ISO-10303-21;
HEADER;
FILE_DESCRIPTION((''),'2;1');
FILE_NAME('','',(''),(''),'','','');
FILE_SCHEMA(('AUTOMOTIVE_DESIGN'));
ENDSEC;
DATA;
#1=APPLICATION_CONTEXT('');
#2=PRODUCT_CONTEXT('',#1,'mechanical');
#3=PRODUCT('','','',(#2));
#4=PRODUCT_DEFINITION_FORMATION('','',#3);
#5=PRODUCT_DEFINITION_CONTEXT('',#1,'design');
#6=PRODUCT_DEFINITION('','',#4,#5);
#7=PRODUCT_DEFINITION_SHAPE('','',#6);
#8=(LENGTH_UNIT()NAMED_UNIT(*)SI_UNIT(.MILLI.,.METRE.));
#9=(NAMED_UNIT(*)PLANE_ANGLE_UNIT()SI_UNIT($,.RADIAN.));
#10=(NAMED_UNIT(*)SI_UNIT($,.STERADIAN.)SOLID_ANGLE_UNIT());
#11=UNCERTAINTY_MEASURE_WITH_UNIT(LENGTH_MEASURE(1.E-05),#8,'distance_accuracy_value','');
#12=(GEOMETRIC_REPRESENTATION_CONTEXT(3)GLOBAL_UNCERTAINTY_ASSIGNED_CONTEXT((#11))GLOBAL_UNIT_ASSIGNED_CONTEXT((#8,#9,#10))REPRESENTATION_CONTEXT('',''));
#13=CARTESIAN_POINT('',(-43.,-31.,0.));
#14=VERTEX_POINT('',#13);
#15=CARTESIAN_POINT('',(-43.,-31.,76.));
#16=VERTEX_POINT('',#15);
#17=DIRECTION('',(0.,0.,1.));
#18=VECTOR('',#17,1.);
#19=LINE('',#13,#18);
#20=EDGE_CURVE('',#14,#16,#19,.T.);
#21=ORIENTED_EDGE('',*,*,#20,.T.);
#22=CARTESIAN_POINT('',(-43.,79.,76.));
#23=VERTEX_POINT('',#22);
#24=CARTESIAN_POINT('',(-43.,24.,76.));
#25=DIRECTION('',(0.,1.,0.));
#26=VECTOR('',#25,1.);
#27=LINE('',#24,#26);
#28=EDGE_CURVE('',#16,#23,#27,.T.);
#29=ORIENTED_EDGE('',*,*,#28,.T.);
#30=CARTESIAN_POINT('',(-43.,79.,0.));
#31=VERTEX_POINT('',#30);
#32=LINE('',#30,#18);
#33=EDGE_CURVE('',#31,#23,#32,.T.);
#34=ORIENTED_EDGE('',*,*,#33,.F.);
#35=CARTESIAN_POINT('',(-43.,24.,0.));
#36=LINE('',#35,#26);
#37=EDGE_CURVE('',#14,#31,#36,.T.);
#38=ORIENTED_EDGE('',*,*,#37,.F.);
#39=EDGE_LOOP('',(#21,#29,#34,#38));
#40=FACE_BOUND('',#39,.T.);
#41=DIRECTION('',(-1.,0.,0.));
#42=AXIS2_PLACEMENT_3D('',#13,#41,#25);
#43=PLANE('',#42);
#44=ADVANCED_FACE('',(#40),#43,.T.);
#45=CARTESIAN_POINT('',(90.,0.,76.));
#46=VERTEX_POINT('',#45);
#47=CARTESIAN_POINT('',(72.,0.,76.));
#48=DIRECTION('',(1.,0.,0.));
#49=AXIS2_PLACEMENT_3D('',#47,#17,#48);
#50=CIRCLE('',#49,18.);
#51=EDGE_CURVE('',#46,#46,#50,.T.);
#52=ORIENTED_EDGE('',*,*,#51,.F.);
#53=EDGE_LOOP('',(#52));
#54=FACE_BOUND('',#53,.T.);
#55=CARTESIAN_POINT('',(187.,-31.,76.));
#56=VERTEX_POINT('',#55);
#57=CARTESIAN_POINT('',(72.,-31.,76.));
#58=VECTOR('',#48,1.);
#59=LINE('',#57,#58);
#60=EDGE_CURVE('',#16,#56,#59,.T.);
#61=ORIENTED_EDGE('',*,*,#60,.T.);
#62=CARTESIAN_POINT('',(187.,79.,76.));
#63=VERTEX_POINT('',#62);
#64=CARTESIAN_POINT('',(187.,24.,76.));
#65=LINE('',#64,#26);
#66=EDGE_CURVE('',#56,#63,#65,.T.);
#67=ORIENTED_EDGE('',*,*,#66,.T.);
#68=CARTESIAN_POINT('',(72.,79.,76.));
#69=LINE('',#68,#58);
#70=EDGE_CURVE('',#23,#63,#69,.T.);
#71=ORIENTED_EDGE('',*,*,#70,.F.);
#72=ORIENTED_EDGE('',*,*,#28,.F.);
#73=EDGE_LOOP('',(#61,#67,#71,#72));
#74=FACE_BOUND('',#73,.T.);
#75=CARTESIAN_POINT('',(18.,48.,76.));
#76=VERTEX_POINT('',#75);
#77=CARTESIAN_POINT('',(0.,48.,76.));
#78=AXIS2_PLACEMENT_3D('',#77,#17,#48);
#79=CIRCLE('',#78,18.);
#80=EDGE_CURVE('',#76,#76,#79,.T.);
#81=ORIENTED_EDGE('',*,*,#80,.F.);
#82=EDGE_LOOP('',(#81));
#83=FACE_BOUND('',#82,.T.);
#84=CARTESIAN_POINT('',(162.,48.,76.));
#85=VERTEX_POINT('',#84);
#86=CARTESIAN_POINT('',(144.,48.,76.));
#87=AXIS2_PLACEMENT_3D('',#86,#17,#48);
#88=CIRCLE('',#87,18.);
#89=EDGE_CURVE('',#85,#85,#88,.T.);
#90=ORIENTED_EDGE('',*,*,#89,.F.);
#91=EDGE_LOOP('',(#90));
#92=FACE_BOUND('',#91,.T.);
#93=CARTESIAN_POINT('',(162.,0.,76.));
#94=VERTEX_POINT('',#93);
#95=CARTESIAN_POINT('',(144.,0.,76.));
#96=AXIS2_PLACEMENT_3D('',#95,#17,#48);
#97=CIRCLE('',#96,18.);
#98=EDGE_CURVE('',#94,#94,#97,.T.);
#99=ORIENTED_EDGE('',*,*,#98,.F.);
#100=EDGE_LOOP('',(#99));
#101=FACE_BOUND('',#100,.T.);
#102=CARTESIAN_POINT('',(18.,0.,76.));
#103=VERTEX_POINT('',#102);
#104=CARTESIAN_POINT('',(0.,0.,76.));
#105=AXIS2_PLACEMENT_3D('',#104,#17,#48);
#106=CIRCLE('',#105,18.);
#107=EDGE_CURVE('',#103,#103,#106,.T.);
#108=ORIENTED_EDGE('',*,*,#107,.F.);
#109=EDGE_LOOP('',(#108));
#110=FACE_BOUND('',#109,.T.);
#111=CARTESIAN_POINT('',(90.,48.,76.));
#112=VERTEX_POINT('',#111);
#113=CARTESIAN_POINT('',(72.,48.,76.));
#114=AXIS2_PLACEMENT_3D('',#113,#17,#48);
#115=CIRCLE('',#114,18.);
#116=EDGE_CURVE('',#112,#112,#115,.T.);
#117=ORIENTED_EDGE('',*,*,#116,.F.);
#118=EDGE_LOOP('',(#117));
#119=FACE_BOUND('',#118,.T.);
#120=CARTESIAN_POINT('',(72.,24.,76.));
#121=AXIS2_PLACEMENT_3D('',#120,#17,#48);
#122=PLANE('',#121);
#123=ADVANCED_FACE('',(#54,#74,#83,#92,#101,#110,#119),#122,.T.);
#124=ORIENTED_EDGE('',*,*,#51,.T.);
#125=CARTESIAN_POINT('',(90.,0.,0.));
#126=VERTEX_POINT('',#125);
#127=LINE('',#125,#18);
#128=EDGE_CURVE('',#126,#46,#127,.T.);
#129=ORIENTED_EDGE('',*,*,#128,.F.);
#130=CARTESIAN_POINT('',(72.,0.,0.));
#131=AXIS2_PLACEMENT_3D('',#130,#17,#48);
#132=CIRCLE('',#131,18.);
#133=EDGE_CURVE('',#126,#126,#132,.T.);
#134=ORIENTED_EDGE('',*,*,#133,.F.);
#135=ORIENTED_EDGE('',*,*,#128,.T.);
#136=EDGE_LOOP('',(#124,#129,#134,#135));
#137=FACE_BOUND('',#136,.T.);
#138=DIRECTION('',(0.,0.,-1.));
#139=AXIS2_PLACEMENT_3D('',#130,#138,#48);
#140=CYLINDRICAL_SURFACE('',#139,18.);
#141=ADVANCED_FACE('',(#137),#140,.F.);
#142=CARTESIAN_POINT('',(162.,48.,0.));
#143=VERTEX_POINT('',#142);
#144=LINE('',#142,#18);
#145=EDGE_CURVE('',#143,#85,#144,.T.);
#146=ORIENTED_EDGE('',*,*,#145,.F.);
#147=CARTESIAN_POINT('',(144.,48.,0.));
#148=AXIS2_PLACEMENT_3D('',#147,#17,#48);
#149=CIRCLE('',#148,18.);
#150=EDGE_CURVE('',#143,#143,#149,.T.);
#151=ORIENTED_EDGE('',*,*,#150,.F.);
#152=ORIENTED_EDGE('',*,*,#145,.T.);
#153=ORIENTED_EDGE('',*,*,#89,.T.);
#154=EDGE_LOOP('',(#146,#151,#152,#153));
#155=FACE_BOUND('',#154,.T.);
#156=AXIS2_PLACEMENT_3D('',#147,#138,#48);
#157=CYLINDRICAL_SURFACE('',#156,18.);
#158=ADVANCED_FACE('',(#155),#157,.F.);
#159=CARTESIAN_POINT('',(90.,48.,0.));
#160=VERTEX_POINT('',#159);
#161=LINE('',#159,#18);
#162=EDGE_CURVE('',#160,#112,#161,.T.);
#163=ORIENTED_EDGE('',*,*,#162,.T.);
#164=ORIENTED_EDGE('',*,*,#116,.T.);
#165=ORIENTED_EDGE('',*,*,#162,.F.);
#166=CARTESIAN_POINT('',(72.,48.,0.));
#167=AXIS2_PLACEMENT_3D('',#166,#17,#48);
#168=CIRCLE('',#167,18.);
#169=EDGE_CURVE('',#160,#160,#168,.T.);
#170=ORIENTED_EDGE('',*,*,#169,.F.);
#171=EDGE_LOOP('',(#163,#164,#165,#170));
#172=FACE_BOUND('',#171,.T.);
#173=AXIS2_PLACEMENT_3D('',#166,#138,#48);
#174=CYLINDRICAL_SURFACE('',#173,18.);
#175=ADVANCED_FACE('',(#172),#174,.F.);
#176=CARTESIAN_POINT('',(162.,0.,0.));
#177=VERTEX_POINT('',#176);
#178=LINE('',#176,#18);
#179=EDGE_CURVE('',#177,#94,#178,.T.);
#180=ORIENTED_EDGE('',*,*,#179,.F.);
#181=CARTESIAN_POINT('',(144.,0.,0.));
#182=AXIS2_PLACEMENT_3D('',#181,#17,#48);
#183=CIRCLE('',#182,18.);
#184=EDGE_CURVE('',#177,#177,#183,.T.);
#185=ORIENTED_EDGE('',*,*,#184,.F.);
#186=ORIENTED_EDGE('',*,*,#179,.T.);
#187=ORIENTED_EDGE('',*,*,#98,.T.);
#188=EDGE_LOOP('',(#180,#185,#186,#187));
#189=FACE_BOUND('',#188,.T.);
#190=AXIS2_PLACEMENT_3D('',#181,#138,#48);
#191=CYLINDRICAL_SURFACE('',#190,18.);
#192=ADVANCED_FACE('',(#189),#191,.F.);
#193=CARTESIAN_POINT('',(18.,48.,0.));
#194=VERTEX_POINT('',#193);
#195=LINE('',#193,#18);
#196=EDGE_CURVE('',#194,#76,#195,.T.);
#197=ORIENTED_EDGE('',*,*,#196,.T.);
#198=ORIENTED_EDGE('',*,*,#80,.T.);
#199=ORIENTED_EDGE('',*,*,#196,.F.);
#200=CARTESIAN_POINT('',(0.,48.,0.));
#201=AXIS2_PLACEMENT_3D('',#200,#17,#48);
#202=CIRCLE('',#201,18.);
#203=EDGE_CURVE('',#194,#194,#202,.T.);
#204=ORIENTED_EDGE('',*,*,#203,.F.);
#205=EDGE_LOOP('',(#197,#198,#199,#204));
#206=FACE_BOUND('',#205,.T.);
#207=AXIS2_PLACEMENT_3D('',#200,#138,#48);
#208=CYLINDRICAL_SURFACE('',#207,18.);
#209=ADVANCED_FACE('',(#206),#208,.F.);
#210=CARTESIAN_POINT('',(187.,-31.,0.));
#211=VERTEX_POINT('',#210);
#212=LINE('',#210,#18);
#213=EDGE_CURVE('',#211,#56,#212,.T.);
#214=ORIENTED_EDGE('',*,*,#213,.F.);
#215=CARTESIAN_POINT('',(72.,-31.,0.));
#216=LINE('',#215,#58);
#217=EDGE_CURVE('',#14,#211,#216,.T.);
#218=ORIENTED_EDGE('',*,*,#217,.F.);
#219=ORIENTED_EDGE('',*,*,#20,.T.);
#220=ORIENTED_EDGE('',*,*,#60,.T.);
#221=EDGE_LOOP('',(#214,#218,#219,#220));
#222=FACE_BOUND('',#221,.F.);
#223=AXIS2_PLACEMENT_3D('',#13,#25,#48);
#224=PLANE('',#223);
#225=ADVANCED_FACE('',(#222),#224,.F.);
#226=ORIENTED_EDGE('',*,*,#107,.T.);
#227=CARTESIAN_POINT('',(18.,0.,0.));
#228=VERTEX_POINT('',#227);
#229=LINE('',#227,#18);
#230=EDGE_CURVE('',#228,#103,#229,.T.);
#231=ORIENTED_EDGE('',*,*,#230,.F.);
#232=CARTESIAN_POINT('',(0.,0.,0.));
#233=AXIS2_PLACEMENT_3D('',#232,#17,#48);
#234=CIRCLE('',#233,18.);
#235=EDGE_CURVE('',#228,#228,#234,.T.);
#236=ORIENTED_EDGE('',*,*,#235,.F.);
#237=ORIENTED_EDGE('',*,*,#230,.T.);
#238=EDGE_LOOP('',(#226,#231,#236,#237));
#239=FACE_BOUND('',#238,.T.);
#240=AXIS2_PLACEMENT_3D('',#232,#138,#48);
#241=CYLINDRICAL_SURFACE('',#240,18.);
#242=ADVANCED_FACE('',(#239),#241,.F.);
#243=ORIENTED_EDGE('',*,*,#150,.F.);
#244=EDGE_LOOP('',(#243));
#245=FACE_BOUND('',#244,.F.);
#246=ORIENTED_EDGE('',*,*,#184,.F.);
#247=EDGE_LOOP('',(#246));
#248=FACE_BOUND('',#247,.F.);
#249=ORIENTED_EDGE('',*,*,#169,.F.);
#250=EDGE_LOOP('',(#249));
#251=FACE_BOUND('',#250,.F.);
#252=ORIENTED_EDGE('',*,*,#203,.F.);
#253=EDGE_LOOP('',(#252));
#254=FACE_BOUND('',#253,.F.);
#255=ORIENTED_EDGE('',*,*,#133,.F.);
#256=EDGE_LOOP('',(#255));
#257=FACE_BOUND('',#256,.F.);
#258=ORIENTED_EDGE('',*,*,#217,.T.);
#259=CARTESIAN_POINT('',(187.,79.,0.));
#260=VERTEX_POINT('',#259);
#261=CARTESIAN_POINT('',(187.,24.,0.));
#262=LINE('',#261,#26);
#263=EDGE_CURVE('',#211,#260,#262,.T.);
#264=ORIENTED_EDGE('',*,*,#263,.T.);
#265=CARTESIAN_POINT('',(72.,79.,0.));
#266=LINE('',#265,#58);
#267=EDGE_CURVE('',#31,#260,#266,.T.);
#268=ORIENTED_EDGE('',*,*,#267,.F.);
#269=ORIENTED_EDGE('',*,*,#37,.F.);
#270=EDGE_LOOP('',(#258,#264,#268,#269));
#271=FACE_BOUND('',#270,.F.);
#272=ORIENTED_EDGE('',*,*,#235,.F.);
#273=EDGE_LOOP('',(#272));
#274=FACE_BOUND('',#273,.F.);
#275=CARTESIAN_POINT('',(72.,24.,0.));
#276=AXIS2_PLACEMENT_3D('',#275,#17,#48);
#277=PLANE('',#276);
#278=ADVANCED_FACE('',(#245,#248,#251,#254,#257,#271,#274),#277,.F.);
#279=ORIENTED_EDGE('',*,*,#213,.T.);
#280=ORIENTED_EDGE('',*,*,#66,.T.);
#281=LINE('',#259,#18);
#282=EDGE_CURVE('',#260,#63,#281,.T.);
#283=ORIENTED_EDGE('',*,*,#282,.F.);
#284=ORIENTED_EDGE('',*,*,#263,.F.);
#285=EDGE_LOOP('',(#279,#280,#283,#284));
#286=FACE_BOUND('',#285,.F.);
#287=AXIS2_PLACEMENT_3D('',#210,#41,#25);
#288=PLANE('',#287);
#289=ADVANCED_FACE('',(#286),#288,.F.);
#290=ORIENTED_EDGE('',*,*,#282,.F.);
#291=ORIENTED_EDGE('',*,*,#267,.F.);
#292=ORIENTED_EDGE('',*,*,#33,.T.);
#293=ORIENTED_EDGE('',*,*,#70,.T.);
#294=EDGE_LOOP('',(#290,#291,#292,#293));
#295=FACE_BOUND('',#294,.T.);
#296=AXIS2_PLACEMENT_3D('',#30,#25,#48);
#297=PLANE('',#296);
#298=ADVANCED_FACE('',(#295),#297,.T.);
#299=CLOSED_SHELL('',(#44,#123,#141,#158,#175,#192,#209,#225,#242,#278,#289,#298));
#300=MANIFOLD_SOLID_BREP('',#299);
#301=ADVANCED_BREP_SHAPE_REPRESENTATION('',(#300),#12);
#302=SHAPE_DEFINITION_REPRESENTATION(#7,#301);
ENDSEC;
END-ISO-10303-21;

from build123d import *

# Parameters (mm, degrees)
CYLINDER001_R     = 18
CYLINDER001_DEPTH = 76
CYLINDER002_R     = 18
CYLINDER002_DEPTH = 76
CYLINDER003_R     = 18
CYLINDER003_DEPTH = 76
CYLINDER004_R     = 18
CYLINDER004_DEPTH = 76
CYLINDER005_R     = 18
CYLINDER005_DEPTH = 76
CYLINDER_R        = 18
CYLINDER_DEPTH    = 76
BOX_W             = 230
BOX_H             = 110
BOX_DEPTH         = 76


with BuildPart() as cilindre001:
    # Cylinder001 → Cylinder001 (new body)
    with BuildSketch(Plane(origin=(144, 0, 0), x_dir=(1, 0, 0), z_dir=(0, 0, 1))):
        Circle(CYLINDER001_R)
    extrude(amount=CYLINDER001_DEPTH)


with BuildPart() as cilindre002:
    # Cylinder002 → Cylinder002 (new body)
    with BuildSketch(Plane(origin=(0, 48, 0), x_dir=(1, 0, 0), z_dir=(0, 0, 1))):
        Circle(CYLINDER002_R)
    extrude(amount=CYLINDER002_DEPTH)


with BuildPart() as cilindre003:
    # Cylinder003 → Cylinder003 (new body)
    with BuildSketch(Plane(origin=(72, 48, 0), x_dir=(1, 0, 0), z_dir=(0, 0, 1))):
        Circle(CYLINDER003_R)
    extrude(amount=CYLINDER003_DEPTH)


with BuildPart() as cilindre004:
    # Cylinder004 → Cylinder004 (new body)
    with BuildSketch(Plane(origin=(144, 48, 0), x_dir=(1, 0, 0), z_dir=(0, 0, 1))):
        Circle(CYLINDER004_R)
    extrude(amount=CYLINDER004_DEPTH)


with BuildPart() as cilindre005:
    # Cylinder005 → Cylinder005 (new body)
    with BuildSketch(Plane.XY):
        Circle(CYLINDER005_R)
    extrude(amount=CYLINDER005_DEPTH)


with BuildPart() as cilindre:
    # Cylinder → Cylinder (new body)
    with BuildSketch(Plane(origin=(72, 0, 0), x_dir=(1, 0, 0), z_dir=(0, 0, 1))):
        Circle(CYLINDER_R)
    extrude(amount=CYLINDER_DEPTH)


with BuildPart() as cut005:
    # Box → Box (new body)
    with BuildSketch(Plane(origin=(-43, -31, 0), x_dir=(1, 0, 0), z_dir=(0, 0, 1))):
        with Locations((115, 55)):
            Rectangle(BOX_W, BOX_H)
    extrude(amount=BOX_DEPTH)

    # Cut: cut Cilindre
    add(cilindre.part, mode=Mode.SUBTRACT)

    # Cut001: cut Cilindre005
    add(cilindre005.part, mode=Mode.SUBTRACT)

    # Cut002: cut Cilindre004
    add(cilindre004.part, mode=Mode.SUBTRACT)

    # Cut003: cut Cilindre003
    add(cilindre003.part, mode=Mode.SUBTRACT)

    # Cut004: cut Cilindre002
    add(cilindre002.part, mode=Mode.SUBTRACT)

    # Cut005: cut Cilindre001
    add(cilindre001.part, mode=Mode.SUBTRACT)


solid = cut005.part
